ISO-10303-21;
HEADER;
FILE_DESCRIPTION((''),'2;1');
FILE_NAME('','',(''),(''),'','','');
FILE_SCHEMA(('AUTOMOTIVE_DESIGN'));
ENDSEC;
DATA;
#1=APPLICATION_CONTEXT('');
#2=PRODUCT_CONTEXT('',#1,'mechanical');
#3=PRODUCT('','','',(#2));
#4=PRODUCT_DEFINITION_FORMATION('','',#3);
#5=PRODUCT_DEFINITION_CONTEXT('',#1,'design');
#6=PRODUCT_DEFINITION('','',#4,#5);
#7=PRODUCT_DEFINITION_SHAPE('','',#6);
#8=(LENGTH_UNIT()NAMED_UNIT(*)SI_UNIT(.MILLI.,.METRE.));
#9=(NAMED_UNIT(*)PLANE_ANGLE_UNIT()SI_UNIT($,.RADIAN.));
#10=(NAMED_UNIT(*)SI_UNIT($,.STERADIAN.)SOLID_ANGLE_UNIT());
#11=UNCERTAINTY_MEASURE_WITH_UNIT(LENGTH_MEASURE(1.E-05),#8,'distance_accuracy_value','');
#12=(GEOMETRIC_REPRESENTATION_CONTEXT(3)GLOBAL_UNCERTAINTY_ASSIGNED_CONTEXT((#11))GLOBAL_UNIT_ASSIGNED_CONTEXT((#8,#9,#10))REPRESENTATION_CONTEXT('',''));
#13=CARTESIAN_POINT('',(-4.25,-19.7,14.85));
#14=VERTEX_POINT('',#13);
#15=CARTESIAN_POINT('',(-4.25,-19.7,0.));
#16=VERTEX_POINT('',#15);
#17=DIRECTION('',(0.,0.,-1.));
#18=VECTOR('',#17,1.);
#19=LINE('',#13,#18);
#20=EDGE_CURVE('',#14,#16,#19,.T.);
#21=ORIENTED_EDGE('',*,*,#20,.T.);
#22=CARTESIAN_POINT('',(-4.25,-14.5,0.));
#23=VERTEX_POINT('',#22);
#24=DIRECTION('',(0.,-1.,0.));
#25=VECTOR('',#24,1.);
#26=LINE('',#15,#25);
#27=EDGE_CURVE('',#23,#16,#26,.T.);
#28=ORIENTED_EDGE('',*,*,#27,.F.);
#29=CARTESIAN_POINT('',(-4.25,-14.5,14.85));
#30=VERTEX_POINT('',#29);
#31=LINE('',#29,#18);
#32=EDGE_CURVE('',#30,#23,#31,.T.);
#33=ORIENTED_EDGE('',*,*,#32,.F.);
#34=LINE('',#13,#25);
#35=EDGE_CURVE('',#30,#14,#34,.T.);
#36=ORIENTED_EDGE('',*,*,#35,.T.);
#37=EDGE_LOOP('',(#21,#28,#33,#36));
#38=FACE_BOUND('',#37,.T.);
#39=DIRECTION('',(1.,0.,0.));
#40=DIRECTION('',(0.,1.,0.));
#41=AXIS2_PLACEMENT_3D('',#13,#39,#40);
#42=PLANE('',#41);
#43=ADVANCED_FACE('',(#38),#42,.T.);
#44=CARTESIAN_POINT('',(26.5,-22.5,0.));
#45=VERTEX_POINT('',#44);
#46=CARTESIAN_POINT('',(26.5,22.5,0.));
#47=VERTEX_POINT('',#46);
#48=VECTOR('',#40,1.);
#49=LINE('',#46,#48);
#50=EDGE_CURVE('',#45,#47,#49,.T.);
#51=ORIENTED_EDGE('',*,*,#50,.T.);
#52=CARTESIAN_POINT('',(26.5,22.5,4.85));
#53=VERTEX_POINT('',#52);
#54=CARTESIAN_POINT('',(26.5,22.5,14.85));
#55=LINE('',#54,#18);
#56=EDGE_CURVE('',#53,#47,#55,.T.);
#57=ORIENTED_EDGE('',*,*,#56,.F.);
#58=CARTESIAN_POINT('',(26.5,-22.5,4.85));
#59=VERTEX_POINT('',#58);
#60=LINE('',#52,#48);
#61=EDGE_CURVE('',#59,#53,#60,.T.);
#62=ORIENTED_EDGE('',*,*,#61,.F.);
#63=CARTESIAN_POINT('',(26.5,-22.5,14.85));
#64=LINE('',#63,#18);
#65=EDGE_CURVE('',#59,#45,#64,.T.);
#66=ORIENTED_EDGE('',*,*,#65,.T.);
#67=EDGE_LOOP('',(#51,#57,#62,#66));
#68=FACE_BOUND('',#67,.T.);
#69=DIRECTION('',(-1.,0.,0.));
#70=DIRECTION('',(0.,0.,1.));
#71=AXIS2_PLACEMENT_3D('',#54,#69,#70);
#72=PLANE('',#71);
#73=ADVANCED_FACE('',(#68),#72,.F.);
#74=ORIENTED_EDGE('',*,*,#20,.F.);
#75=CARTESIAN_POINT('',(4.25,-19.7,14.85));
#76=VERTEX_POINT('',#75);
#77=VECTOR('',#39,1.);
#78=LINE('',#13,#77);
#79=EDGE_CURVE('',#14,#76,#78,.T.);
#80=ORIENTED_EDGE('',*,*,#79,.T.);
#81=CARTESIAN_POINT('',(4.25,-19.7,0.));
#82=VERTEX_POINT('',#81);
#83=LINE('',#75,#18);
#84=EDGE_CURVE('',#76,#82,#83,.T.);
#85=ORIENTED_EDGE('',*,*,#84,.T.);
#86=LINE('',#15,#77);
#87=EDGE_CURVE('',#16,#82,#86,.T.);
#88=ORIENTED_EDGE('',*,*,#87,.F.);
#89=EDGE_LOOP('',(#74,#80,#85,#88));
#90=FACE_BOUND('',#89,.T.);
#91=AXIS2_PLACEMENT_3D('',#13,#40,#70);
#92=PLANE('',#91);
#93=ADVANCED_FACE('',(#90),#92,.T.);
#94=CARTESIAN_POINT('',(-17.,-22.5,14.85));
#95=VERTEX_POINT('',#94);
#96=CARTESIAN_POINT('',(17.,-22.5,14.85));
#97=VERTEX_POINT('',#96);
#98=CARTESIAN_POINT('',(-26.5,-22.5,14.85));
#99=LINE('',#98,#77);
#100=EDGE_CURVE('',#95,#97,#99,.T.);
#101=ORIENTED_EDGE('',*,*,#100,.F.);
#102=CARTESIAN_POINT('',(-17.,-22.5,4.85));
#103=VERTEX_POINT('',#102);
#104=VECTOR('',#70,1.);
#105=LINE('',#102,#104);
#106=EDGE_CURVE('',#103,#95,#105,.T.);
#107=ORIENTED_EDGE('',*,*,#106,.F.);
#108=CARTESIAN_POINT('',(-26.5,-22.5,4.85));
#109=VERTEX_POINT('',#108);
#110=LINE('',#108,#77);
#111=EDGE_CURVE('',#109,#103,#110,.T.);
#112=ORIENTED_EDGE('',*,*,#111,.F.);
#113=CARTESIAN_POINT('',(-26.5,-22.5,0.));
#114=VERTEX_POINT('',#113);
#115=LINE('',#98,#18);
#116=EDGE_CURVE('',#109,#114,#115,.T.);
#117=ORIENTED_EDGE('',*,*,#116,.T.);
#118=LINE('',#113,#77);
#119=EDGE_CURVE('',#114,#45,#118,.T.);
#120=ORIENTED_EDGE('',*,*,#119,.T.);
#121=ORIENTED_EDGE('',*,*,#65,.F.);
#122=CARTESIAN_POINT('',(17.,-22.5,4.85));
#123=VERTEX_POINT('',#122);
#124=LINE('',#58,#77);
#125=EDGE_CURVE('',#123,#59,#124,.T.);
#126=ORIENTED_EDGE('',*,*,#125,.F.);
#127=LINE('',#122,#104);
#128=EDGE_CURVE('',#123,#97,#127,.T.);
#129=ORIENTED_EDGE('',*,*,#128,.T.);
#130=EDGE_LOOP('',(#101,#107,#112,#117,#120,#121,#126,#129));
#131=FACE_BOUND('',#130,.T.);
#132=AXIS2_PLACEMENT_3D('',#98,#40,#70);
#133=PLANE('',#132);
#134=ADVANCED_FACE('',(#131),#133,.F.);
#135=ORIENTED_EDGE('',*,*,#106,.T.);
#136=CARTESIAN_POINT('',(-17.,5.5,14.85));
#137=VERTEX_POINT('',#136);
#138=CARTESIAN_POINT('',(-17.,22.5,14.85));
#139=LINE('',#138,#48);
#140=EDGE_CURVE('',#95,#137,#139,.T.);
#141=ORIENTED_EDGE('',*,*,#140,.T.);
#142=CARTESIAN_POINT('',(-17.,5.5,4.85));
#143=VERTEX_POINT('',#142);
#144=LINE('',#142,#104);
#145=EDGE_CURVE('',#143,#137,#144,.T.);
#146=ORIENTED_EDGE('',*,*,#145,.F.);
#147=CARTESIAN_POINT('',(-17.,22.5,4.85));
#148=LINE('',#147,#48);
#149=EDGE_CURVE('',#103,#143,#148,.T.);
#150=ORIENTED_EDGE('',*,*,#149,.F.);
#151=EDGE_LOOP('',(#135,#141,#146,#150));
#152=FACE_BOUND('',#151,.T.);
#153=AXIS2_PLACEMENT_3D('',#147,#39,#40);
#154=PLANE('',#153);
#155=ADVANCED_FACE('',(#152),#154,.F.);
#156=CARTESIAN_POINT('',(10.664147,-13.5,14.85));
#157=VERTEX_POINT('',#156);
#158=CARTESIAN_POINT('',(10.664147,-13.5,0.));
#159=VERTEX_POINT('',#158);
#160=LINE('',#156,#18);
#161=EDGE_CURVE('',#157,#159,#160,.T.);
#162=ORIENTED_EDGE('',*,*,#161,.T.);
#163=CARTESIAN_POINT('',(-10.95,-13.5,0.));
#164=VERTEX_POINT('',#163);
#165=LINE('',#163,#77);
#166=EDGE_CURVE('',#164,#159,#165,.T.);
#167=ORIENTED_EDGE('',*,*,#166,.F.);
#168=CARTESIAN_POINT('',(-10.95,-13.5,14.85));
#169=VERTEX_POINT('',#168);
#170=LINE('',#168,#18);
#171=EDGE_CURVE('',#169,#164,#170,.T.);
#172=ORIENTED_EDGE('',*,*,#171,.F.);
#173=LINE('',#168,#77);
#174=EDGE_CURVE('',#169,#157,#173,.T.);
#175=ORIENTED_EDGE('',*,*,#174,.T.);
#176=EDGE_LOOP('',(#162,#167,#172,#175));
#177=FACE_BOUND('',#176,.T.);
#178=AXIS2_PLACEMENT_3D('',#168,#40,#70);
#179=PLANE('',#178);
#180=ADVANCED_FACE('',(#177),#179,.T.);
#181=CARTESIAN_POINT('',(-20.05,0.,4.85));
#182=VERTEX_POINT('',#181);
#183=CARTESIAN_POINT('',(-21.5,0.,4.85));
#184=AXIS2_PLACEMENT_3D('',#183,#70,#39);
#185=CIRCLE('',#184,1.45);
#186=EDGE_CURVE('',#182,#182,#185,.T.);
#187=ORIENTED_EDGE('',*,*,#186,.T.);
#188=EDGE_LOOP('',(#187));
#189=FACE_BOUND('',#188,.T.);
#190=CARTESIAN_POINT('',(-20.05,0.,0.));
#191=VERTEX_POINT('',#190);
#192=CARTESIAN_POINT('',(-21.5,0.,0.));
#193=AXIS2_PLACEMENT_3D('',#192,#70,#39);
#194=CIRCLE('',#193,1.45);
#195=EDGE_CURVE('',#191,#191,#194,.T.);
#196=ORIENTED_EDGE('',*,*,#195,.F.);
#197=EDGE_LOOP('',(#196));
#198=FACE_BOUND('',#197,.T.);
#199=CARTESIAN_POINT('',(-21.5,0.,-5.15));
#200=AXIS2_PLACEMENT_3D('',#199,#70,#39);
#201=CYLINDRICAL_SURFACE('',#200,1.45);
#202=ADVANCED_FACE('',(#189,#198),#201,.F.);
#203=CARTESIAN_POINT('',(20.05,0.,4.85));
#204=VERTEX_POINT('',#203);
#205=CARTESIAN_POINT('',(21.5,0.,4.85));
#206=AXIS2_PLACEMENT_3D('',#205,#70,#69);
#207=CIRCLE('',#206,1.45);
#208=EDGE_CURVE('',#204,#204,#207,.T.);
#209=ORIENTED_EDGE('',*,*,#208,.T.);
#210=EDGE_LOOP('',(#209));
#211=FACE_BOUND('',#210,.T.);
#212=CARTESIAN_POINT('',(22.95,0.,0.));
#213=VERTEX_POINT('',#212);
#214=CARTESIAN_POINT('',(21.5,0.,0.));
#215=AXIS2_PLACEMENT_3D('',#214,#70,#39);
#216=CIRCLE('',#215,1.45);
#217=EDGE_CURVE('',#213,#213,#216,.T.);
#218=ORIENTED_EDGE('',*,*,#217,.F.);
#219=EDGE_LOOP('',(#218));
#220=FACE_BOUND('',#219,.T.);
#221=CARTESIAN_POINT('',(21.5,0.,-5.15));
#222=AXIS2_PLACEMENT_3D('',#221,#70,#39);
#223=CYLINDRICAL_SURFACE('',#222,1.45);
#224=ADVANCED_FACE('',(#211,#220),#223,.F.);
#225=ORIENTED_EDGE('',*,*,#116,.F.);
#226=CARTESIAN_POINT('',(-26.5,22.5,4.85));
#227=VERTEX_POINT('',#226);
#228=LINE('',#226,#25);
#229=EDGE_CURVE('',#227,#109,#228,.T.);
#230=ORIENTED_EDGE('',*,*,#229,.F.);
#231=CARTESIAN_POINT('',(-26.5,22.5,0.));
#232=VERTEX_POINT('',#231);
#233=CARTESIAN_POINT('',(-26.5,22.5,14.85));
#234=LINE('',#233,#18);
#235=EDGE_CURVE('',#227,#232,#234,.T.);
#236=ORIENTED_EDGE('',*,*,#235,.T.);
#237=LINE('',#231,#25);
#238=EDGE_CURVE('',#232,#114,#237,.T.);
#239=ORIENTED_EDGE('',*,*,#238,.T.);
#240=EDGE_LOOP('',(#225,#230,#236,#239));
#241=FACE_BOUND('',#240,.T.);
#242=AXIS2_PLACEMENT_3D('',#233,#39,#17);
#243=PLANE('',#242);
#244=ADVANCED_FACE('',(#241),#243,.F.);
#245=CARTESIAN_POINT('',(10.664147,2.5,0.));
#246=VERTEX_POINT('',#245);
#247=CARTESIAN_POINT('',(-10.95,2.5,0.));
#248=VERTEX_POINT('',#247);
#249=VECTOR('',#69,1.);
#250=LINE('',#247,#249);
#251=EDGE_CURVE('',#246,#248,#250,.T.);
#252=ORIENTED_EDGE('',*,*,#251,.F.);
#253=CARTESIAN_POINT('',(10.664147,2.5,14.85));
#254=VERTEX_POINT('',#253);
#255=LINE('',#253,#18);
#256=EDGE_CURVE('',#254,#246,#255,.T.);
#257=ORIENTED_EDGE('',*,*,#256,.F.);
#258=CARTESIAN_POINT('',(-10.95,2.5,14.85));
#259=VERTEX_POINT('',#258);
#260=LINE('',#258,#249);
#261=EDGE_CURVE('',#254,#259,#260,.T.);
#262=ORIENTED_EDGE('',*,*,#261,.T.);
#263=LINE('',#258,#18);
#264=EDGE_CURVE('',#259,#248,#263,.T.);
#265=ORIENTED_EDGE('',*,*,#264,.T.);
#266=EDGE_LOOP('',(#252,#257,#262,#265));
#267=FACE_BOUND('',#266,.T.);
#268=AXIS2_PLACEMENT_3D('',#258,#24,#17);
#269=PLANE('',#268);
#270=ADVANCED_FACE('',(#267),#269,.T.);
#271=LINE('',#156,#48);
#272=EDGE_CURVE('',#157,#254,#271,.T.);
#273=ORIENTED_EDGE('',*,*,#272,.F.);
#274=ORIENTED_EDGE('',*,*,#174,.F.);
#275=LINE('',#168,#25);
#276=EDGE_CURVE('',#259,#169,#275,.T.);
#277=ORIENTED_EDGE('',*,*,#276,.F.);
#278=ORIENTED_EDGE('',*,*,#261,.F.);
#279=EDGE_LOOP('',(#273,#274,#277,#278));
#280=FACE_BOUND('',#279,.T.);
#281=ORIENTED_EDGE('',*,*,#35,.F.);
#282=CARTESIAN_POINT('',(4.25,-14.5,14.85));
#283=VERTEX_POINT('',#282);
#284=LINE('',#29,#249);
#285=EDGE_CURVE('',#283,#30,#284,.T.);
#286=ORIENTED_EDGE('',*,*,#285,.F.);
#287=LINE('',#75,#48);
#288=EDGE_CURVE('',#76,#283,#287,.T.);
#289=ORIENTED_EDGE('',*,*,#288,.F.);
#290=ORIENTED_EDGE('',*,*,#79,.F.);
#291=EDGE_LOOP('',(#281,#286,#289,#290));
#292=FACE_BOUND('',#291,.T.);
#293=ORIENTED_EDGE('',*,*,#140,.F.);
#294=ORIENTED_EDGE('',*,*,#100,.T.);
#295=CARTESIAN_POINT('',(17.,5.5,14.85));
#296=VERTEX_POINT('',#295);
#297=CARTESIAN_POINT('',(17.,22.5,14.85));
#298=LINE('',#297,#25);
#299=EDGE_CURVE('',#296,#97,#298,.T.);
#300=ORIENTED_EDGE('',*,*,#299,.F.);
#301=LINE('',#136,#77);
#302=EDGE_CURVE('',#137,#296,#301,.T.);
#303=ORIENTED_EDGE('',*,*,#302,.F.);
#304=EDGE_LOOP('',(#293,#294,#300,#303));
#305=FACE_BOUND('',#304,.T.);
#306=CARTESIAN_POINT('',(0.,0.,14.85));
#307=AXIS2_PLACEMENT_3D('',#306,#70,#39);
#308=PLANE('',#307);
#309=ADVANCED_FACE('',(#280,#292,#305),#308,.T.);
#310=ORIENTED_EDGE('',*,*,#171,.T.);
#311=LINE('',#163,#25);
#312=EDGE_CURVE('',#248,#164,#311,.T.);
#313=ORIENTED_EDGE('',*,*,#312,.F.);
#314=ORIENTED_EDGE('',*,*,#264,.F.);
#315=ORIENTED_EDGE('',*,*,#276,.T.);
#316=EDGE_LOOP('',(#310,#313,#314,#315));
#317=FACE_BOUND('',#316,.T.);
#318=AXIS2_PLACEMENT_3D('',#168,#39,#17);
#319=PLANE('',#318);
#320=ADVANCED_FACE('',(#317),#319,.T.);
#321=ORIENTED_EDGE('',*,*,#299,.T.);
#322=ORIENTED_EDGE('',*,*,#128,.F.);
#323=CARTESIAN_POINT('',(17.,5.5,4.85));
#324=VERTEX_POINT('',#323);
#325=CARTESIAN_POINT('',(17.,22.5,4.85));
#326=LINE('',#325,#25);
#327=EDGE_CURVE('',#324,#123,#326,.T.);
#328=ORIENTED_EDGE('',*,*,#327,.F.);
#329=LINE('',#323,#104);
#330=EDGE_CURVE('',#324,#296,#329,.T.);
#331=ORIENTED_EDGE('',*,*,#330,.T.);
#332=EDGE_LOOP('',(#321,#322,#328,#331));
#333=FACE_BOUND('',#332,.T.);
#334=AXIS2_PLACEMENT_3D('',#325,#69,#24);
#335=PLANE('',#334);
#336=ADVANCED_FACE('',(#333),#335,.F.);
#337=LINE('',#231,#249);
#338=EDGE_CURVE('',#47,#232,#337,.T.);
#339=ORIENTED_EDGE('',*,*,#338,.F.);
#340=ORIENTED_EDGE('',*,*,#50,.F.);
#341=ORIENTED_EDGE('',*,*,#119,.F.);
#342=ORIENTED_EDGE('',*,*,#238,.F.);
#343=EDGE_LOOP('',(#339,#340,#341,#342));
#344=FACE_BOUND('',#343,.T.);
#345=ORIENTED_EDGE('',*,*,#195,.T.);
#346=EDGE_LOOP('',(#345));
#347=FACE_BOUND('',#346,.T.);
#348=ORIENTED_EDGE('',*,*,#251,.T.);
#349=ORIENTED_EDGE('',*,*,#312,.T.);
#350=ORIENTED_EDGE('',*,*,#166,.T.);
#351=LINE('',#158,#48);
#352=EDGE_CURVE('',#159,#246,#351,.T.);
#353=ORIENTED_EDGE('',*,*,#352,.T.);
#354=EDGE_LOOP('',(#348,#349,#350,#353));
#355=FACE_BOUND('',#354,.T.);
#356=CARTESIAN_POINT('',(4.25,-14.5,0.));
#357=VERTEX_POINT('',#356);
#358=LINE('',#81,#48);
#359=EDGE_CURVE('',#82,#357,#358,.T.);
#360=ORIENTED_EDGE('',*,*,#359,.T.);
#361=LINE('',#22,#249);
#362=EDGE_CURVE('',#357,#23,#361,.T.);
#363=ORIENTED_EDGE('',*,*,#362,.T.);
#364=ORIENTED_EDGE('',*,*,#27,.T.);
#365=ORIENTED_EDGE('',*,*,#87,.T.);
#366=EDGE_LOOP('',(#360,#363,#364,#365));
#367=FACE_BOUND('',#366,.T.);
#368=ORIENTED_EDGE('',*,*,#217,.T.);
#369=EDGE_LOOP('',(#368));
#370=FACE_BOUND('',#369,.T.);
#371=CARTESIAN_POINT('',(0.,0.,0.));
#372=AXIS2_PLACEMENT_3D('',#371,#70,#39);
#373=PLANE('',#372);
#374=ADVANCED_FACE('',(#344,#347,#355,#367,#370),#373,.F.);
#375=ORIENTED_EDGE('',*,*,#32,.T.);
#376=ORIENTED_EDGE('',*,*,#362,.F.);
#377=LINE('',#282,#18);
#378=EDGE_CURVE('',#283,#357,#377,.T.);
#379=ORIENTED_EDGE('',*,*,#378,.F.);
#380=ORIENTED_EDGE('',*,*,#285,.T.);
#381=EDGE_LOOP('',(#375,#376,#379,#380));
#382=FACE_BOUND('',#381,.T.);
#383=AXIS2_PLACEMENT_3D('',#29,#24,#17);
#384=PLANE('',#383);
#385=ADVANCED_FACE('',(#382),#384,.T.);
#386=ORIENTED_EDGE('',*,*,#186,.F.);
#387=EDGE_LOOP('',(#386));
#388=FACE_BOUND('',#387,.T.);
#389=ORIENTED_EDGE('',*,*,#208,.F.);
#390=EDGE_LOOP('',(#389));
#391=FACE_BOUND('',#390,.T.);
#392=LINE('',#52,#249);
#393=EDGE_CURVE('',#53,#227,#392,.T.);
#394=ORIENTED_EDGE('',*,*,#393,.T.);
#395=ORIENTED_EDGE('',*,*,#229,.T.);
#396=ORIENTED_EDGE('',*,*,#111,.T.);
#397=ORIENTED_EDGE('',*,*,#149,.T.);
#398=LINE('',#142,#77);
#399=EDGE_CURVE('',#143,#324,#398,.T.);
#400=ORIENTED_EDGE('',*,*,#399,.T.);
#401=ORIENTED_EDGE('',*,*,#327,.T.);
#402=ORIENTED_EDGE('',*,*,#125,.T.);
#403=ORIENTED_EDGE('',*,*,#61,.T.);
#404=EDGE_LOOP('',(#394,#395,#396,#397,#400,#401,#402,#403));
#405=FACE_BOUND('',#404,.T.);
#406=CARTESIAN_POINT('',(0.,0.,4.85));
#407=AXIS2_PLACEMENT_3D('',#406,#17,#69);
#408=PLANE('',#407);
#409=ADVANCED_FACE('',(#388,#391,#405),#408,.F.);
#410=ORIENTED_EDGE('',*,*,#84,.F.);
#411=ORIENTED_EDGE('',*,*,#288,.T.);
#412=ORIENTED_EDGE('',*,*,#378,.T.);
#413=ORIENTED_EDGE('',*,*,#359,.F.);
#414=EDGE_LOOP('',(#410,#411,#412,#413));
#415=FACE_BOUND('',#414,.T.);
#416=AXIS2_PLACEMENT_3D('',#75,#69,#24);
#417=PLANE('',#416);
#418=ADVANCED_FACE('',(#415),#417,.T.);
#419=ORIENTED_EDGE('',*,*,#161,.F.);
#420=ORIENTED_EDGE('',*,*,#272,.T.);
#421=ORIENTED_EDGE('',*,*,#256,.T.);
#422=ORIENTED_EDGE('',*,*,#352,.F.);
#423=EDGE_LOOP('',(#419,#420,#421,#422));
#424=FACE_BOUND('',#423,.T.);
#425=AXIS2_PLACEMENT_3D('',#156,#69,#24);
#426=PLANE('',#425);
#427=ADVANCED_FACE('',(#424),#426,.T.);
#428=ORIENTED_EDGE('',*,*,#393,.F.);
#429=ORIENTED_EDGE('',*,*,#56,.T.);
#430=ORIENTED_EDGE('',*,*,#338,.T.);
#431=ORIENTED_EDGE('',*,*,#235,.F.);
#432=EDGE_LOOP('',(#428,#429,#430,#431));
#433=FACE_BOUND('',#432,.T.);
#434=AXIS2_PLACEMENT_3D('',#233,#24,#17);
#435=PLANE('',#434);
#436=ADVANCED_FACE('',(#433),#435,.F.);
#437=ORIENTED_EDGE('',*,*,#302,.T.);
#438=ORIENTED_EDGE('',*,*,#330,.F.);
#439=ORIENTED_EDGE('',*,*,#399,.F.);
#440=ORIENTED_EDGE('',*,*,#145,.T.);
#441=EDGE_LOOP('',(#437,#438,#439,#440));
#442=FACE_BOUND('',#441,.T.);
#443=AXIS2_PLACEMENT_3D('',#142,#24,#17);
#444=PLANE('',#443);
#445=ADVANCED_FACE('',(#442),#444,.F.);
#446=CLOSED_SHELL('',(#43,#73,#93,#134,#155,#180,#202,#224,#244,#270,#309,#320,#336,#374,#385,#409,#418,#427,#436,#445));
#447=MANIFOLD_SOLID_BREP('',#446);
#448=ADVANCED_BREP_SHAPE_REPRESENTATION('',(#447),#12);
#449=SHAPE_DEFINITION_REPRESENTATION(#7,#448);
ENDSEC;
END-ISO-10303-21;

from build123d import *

# Parameters (mm, degrees)
CROQUIS1_W              = 53
CROQUIS1_H              = 45
CROQUIS1_W_2            = 21.614146676
CROQUIS1_H_2            = 16
CROQUIS1_W_3            = 8.5
CROQUIS1_H_3            = 5.2
SALIENTE_EXTRUIR1_DEPTH = 14.85
CROQUIS2_W              = 9.5
CROQUIS2_H              = 45
CORTAR_EXTRUIR1_DEPTH   = 10
CROQUIS3_W              = 34
CROQUIS3_H              = 17
CORTAR_EXTRUIR2_DEPTH   = 10
CROQUIS4_R              = 1.45
CORTAR_EXTRUIR3_DEPTH   = 10


with BuildPart() as part:
    # Croquis1 → Saliente-Extruir1 (new body)
    with BuildSketch(Plane.XY):
        Rectangle(CROQUIS1_W, CROQUIS1_H)
        with Locations((-0.142926662, -5.5)):
            Rectangle(CROQUIS1_W_2, CROQUIS1_H_2, mode=Mode.SUBTRACT)
        with Locations((0, -17.1)):
            Rectangle(CROQUIS1_W_3, CROQUIS1_H_3, mode=Mode.SUBTRACT)
    extrude(amount=SALIENTE_EXTRUIR1_DEPTH)

    # Croquis2 → Cortar-Extruir1 (cut)
    with BuildSketch(Plane.XY.offset(14.85)):
        with Locations((21.75, 0)):
            Rectangle(CROQUIS2_W, CROQUIS2_H)
        with Locations((-21.75, 0)):
            Rectangle(CROQUIS2_W, CROQUIS2_H)
    extrude(amount=-CORTAR_EXTRUIR1_DEPTH, mode=Mode.SUBTRACT)

    # Croquis3 → Cortar-Extruir2 (cut)
    with BuildSketch(Plane.XY.offset(14.85)):
        with Locations((0, 14)):
            Rectangle(CROQUIS3_W, CROQUIS3_H)
    extrude(amount=-CORTAR_EXTRUIR2_DEPTH, mode=Mode.SUBTRACT)

    # Croquis4 → Cortar-Extruir3 (cut)
    with BuildSketch(Plane.XY.offset(4.85)):
        with Locations((-21.5, 0)):
            Circle(CROQUIS4_R)
        with Locations((21.5, 0)):
            Circle(CROQUIS4_R)
    extrude(amount=-CORTAR_EXTRUIR3_DEPTH, mode=Mode.SUBTRACT)


solid = part.part
